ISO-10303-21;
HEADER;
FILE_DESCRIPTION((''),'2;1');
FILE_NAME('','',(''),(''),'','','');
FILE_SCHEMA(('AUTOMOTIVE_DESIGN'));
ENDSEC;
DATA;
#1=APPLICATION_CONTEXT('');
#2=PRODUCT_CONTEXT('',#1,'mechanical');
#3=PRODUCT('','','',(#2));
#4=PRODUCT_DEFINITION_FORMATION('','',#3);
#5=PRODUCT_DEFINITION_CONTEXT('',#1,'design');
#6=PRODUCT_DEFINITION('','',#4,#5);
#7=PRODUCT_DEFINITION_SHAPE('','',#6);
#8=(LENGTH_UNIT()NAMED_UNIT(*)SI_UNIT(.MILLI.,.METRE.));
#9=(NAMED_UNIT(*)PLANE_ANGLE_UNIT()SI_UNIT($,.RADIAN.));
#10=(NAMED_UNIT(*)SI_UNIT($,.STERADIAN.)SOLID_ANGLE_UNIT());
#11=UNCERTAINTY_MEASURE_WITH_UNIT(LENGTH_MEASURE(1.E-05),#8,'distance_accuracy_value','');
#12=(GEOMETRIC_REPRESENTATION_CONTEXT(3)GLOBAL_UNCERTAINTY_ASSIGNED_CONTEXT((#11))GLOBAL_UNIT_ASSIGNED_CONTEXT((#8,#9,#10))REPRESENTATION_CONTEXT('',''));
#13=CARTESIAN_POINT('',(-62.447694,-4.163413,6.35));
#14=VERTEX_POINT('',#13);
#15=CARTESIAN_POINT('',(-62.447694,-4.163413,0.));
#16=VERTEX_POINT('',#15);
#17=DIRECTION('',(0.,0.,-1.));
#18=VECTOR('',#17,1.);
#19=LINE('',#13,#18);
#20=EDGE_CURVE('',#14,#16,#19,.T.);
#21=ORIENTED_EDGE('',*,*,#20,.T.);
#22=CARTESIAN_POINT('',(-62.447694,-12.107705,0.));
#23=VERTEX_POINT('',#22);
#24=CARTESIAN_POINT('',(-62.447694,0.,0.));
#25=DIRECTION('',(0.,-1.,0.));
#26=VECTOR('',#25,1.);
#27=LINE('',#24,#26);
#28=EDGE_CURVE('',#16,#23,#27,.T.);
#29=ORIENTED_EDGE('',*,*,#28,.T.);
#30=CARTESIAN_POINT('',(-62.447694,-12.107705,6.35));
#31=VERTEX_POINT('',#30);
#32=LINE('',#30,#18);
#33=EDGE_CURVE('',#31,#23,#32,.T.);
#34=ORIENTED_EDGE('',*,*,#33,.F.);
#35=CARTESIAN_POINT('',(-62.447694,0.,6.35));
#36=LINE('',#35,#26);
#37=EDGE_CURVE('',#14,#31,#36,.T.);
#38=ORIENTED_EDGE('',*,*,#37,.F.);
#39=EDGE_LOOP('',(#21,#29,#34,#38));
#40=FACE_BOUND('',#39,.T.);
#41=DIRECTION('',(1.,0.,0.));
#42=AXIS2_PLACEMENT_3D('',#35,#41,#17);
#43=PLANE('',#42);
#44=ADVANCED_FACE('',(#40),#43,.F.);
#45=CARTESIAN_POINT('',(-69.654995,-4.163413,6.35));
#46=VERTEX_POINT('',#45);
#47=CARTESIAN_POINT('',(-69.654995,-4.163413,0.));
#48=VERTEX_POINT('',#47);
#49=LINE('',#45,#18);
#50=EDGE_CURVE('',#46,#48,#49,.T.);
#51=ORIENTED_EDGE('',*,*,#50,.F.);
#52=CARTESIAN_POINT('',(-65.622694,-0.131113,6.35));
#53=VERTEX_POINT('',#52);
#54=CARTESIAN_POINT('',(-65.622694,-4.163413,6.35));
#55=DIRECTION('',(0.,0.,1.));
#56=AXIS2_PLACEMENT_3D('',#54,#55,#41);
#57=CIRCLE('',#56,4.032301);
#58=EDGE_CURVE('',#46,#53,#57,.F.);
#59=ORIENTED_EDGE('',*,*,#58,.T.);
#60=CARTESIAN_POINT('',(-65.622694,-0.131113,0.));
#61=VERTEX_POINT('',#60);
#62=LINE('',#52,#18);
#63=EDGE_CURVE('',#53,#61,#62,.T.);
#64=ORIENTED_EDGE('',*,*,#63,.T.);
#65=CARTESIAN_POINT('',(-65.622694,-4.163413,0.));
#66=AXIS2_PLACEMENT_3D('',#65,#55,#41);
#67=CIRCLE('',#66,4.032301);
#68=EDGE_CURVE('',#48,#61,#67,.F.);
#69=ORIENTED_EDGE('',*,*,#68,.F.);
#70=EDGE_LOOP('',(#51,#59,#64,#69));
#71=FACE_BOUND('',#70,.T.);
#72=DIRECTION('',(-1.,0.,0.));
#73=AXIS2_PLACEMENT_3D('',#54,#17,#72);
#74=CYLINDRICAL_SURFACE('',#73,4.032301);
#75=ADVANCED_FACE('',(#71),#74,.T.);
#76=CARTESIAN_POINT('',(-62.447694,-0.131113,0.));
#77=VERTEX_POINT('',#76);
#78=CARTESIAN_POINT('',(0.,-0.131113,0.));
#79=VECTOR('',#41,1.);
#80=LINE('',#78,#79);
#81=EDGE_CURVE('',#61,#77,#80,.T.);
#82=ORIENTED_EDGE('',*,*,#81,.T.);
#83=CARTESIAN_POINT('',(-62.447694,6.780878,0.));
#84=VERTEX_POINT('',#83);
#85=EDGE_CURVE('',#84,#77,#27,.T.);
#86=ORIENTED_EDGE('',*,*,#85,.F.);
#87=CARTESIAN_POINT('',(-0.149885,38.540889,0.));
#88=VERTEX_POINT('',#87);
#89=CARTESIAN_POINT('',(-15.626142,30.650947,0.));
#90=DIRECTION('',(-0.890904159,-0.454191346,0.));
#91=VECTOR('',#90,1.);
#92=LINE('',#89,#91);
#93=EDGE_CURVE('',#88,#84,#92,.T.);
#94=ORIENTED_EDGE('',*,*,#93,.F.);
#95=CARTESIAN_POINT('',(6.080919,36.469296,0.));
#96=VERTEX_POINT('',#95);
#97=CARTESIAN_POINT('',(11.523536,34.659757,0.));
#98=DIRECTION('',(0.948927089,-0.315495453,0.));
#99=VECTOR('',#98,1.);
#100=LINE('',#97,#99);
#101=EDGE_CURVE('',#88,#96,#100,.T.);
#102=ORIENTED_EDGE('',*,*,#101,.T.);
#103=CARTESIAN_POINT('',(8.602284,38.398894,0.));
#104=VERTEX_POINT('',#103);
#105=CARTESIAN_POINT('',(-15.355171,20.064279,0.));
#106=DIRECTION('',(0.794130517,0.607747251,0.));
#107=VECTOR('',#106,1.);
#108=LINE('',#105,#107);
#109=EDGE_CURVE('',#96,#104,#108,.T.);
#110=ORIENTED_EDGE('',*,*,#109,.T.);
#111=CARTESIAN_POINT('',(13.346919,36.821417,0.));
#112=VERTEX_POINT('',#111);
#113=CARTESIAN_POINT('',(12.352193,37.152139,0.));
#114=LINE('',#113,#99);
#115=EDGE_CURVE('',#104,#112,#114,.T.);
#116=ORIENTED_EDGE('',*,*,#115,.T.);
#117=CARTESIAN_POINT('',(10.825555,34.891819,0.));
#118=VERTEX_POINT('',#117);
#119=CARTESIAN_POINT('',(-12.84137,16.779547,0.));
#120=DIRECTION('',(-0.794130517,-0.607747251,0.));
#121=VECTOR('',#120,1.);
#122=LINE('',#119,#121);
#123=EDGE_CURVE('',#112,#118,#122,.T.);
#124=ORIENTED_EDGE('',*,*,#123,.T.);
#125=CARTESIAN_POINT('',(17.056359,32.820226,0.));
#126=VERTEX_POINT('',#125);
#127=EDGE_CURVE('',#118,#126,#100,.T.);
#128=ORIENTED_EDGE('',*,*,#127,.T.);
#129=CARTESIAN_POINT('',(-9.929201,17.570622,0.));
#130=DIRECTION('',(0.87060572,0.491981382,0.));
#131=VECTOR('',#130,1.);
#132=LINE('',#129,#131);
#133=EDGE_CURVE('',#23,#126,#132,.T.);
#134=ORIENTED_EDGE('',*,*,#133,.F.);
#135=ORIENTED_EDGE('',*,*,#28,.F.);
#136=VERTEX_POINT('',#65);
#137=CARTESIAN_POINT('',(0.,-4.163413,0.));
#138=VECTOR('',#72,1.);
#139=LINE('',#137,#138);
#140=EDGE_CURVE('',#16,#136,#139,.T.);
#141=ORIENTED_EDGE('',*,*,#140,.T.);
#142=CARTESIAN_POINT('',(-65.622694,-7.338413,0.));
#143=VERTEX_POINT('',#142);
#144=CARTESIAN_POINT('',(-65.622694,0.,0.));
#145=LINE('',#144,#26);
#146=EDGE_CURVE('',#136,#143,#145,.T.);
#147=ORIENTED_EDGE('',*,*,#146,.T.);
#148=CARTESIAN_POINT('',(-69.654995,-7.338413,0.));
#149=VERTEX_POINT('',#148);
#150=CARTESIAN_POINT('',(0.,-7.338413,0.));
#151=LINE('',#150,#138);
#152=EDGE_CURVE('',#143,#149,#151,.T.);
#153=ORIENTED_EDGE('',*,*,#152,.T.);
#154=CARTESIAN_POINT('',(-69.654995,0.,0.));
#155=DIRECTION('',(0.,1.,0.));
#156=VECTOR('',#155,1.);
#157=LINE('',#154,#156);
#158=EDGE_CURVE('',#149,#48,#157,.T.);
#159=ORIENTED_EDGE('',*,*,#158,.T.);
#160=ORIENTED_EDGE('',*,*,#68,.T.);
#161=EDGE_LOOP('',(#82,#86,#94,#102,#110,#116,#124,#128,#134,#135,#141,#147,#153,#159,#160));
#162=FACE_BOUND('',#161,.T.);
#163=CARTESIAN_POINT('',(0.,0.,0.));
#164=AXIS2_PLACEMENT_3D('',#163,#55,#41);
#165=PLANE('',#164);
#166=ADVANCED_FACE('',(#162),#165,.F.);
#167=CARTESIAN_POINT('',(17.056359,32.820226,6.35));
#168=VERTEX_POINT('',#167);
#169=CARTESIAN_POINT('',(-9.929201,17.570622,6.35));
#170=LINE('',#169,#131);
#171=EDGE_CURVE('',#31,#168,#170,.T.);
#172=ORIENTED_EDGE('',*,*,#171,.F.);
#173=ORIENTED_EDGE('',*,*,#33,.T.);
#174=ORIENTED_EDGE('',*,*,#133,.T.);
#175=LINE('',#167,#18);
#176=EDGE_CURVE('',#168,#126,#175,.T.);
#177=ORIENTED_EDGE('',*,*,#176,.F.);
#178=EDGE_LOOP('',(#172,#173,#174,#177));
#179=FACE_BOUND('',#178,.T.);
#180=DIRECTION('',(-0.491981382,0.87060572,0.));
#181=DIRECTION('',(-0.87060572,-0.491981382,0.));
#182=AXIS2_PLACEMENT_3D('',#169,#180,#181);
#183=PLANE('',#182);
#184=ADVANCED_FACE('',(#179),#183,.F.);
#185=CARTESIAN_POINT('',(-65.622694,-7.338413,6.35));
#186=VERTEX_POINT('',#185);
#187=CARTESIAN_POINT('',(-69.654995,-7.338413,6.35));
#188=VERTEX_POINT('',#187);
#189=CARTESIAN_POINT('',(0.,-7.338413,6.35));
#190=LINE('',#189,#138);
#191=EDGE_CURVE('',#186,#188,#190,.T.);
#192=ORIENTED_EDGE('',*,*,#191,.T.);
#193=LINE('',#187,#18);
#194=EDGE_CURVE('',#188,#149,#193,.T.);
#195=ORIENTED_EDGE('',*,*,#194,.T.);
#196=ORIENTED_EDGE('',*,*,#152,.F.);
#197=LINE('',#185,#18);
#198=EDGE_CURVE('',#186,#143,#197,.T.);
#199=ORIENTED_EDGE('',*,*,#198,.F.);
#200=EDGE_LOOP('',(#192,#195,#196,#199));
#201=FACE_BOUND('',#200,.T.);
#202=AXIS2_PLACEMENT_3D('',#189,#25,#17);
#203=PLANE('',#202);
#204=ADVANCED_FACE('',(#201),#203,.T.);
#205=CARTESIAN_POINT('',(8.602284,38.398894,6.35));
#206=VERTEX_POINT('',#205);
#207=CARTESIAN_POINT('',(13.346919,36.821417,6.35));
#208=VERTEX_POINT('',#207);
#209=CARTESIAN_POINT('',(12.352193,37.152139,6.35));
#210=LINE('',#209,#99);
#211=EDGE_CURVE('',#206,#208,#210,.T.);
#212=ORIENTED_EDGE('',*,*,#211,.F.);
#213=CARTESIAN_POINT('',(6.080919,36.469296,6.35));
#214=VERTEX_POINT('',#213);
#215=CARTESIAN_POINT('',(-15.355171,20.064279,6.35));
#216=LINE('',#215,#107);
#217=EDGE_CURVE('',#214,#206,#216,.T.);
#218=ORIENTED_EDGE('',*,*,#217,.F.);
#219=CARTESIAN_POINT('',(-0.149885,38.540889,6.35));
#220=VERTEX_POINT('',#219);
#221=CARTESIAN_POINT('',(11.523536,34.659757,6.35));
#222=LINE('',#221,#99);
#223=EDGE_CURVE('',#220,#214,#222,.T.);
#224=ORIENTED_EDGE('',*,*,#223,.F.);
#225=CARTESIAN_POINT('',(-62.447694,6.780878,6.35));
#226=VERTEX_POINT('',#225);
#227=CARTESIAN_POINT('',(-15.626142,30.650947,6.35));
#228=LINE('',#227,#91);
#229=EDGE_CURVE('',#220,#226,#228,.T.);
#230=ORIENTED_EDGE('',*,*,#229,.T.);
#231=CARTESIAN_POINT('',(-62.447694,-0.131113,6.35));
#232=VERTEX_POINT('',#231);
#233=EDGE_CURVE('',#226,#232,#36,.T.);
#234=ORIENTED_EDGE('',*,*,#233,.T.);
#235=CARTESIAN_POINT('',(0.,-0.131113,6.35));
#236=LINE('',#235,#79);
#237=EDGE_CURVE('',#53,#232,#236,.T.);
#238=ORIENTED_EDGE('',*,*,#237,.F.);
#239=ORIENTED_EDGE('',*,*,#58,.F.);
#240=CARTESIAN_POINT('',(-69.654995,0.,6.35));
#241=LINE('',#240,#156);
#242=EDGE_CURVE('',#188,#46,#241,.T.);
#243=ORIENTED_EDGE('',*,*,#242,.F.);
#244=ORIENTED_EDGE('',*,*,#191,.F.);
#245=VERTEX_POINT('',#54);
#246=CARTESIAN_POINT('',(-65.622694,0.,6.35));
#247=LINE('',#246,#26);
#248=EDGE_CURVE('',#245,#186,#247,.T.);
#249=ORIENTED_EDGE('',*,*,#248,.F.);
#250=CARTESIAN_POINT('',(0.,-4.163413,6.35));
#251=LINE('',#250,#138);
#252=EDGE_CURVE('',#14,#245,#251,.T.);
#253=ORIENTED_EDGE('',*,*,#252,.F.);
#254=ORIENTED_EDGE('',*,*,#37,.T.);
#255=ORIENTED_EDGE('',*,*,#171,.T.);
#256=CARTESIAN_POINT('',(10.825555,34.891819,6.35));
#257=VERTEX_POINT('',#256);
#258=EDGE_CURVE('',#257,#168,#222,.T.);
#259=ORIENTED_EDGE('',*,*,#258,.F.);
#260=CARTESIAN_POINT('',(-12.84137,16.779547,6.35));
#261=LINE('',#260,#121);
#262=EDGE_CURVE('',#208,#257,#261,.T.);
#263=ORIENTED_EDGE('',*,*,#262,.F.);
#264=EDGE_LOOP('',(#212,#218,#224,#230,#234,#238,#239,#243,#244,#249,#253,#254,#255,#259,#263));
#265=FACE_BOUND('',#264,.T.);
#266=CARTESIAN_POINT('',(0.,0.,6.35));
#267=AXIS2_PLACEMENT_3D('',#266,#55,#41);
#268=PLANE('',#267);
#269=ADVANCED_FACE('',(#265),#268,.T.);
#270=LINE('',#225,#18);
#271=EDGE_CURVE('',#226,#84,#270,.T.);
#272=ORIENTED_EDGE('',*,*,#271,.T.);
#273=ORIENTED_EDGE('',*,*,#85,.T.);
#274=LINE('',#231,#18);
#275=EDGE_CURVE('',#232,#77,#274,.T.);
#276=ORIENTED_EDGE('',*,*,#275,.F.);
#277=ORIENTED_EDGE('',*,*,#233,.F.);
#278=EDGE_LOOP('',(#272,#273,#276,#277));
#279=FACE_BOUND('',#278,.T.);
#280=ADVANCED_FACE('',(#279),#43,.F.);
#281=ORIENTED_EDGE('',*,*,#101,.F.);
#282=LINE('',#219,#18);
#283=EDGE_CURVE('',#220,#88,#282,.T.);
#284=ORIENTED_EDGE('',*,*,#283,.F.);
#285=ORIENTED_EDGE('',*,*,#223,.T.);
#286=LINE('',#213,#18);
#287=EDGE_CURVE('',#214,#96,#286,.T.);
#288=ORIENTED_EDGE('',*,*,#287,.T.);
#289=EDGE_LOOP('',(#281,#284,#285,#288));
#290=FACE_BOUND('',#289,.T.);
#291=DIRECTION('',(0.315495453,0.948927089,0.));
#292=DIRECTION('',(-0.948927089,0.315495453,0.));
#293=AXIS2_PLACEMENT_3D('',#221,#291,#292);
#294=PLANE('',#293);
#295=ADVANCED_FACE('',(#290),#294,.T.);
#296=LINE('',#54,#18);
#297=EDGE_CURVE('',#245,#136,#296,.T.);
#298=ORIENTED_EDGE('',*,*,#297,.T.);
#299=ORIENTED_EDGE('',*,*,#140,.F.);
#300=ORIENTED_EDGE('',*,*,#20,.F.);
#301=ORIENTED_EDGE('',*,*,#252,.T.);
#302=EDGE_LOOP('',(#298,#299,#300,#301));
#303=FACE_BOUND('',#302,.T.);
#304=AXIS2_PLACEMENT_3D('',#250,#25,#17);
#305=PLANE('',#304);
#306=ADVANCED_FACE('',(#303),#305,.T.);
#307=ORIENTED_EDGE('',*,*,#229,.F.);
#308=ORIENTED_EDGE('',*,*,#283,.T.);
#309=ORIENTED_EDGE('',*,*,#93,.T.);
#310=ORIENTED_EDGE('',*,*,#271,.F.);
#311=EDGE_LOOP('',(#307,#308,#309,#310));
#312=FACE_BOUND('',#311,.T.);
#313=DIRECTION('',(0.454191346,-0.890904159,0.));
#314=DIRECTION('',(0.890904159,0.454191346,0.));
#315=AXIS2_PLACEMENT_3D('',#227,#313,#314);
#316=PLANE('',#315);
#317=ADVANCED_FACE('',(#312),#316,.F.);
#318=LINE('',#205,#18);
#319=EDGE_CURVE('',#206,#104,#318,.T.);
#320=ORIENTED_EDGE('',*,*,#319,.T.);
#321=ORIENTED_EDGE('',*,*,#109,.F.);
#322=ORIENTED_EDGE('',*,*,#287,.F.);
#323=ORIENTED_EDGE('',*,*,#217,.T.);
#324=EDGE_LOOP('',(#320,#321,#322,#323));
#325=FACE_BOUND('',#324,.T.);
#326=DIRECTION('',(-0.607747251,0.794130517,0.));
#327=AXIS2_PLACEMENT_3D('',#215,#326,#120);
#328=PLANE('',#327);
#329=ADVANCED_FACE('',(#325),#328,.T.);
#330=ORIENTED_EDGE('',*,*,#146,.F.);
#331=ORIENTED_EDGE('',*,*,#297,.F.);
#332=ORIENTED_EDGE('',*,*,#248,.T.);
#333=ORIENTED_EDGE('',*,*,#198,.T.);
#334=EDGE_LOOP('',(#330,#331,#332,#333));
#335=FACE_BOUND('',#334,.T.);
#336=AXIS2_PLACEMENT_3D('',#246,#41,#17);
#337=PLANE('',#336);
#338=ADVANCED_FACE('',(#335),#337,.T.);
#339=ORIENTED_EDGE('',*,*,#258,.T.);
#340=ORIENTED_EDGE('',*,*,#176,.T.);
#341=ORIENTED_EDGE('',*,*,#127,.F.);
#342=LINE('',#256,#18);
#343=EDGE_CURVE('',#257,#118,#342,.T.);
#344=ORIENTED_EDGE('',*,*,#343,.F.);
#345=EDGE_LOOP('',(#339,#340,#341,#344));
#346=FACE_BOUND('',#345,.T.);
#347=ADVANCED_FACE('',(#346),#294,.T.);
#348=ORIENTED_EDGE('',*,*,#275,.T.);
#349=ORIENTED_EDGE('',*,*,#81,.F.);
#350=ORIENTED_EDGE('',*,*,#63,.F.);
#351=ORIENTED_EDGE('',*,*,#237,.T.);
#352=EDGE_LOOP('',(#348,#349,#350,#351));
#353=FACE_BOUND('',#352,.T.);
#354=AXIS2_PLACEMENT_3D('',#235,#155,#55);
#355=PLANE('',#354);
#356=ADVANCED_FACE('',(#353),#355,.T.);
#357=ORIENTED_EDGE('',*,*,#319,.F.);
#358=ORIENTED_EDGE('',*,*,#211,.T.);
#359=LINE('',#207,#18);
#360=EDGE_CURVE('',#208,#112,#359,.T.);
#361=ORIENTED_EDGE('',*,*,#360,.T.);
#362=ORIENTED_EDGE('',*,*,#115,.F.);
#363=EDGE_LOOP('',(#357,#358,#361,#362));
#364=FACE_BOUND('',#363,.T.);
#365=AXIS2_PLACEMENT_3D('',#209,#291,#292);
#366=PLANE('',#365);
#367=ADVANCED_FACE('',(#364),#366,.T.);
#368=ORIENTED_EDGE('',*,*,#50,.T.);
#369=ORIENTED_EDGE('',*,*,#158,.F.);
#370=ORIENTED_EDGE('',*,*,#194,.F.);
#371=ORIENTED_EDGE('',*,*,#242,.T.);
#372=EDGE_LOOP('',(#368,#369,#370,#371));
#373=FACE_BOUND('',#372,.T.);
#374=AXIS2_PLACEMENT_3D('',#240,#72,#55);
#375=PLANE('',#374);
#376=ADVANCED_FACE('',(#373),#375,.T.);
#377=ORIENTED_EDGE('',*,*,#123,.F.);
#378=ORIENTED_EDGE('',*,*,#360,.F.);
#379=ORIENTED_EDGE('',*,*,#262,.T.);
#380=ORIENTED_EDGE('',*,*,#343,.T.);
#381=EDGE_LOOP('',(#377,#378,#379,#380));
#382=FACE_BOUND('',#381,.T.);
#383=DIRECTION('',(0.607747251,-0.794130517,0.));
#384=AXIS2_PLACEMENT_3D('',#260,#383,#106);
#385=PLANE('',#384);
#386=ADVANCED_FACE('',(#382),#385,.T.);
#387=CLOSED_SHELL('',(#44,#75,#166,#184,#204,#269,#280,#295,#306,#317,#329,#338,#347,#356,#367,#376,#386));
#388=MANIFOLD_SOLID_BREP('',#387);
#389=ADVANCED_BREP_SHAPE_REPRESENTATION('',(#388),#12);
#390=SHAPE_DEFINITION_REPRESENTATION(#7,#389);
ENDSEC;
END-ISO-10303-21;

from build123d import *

# Parameters (mm, degrees)
BOSS_EXTRUDE1_DEPTH = 6.35


with BuildPart() as part:
    # Sketch2 → Boss-Extrude1 (new body)
    with BuildSketch(Plane.XY):
        with BuildLine():
            Line((-0.14988496, 38.540888918), (6.080919163, 36.469296285))
            Line((6.080919163, 36.469296285), (8.602283556, 38.398893807))
            Line((8.602283556, 38.398893807), (13.346918999, 36.821416544))
            Line((13.346918999, 36.821416544), (10.825554606, 34.891819022))
            Line((10.825554606, 34.891819022), (17.056358729, 32.820226388))
            Line((17.056358729, 32.820226388), (-62.447694199, -12.10770477))
            Line((-62.447694199, -12.10770477), (-62.447694199, -4.16341339))
            Line((-62.447694199, -4.16341339), (-65.622694199, -4.16341339))
            Line((-65.622694199, -4.16341339), (-65.622694199, -7.33841339))
            Line((-65.622694199, -7.33841339), (-69.654994999, -7.33841339))
            Line((-69.654994999, -7.33841339), (-69.654994999, -4.16341339))
            ThreePointArc((-69.654994999, -4.16341339), (-68.473961439, -1.312146151), (-65.622694199, -0.13111259))
            Line((-65.622694199, -0.13111259), (-62.447694199, -0.13111259))
            Line((-62.447694199, -0.13111259), (-62.447694199, 6.780877989))
            Line((-62.447694199, 6.780877989), (-0.14988496, 38.540888918))
        make_face()
    extrude(amount=BOSS_EXTRUDE1_DEPTH)


solid = part.part
